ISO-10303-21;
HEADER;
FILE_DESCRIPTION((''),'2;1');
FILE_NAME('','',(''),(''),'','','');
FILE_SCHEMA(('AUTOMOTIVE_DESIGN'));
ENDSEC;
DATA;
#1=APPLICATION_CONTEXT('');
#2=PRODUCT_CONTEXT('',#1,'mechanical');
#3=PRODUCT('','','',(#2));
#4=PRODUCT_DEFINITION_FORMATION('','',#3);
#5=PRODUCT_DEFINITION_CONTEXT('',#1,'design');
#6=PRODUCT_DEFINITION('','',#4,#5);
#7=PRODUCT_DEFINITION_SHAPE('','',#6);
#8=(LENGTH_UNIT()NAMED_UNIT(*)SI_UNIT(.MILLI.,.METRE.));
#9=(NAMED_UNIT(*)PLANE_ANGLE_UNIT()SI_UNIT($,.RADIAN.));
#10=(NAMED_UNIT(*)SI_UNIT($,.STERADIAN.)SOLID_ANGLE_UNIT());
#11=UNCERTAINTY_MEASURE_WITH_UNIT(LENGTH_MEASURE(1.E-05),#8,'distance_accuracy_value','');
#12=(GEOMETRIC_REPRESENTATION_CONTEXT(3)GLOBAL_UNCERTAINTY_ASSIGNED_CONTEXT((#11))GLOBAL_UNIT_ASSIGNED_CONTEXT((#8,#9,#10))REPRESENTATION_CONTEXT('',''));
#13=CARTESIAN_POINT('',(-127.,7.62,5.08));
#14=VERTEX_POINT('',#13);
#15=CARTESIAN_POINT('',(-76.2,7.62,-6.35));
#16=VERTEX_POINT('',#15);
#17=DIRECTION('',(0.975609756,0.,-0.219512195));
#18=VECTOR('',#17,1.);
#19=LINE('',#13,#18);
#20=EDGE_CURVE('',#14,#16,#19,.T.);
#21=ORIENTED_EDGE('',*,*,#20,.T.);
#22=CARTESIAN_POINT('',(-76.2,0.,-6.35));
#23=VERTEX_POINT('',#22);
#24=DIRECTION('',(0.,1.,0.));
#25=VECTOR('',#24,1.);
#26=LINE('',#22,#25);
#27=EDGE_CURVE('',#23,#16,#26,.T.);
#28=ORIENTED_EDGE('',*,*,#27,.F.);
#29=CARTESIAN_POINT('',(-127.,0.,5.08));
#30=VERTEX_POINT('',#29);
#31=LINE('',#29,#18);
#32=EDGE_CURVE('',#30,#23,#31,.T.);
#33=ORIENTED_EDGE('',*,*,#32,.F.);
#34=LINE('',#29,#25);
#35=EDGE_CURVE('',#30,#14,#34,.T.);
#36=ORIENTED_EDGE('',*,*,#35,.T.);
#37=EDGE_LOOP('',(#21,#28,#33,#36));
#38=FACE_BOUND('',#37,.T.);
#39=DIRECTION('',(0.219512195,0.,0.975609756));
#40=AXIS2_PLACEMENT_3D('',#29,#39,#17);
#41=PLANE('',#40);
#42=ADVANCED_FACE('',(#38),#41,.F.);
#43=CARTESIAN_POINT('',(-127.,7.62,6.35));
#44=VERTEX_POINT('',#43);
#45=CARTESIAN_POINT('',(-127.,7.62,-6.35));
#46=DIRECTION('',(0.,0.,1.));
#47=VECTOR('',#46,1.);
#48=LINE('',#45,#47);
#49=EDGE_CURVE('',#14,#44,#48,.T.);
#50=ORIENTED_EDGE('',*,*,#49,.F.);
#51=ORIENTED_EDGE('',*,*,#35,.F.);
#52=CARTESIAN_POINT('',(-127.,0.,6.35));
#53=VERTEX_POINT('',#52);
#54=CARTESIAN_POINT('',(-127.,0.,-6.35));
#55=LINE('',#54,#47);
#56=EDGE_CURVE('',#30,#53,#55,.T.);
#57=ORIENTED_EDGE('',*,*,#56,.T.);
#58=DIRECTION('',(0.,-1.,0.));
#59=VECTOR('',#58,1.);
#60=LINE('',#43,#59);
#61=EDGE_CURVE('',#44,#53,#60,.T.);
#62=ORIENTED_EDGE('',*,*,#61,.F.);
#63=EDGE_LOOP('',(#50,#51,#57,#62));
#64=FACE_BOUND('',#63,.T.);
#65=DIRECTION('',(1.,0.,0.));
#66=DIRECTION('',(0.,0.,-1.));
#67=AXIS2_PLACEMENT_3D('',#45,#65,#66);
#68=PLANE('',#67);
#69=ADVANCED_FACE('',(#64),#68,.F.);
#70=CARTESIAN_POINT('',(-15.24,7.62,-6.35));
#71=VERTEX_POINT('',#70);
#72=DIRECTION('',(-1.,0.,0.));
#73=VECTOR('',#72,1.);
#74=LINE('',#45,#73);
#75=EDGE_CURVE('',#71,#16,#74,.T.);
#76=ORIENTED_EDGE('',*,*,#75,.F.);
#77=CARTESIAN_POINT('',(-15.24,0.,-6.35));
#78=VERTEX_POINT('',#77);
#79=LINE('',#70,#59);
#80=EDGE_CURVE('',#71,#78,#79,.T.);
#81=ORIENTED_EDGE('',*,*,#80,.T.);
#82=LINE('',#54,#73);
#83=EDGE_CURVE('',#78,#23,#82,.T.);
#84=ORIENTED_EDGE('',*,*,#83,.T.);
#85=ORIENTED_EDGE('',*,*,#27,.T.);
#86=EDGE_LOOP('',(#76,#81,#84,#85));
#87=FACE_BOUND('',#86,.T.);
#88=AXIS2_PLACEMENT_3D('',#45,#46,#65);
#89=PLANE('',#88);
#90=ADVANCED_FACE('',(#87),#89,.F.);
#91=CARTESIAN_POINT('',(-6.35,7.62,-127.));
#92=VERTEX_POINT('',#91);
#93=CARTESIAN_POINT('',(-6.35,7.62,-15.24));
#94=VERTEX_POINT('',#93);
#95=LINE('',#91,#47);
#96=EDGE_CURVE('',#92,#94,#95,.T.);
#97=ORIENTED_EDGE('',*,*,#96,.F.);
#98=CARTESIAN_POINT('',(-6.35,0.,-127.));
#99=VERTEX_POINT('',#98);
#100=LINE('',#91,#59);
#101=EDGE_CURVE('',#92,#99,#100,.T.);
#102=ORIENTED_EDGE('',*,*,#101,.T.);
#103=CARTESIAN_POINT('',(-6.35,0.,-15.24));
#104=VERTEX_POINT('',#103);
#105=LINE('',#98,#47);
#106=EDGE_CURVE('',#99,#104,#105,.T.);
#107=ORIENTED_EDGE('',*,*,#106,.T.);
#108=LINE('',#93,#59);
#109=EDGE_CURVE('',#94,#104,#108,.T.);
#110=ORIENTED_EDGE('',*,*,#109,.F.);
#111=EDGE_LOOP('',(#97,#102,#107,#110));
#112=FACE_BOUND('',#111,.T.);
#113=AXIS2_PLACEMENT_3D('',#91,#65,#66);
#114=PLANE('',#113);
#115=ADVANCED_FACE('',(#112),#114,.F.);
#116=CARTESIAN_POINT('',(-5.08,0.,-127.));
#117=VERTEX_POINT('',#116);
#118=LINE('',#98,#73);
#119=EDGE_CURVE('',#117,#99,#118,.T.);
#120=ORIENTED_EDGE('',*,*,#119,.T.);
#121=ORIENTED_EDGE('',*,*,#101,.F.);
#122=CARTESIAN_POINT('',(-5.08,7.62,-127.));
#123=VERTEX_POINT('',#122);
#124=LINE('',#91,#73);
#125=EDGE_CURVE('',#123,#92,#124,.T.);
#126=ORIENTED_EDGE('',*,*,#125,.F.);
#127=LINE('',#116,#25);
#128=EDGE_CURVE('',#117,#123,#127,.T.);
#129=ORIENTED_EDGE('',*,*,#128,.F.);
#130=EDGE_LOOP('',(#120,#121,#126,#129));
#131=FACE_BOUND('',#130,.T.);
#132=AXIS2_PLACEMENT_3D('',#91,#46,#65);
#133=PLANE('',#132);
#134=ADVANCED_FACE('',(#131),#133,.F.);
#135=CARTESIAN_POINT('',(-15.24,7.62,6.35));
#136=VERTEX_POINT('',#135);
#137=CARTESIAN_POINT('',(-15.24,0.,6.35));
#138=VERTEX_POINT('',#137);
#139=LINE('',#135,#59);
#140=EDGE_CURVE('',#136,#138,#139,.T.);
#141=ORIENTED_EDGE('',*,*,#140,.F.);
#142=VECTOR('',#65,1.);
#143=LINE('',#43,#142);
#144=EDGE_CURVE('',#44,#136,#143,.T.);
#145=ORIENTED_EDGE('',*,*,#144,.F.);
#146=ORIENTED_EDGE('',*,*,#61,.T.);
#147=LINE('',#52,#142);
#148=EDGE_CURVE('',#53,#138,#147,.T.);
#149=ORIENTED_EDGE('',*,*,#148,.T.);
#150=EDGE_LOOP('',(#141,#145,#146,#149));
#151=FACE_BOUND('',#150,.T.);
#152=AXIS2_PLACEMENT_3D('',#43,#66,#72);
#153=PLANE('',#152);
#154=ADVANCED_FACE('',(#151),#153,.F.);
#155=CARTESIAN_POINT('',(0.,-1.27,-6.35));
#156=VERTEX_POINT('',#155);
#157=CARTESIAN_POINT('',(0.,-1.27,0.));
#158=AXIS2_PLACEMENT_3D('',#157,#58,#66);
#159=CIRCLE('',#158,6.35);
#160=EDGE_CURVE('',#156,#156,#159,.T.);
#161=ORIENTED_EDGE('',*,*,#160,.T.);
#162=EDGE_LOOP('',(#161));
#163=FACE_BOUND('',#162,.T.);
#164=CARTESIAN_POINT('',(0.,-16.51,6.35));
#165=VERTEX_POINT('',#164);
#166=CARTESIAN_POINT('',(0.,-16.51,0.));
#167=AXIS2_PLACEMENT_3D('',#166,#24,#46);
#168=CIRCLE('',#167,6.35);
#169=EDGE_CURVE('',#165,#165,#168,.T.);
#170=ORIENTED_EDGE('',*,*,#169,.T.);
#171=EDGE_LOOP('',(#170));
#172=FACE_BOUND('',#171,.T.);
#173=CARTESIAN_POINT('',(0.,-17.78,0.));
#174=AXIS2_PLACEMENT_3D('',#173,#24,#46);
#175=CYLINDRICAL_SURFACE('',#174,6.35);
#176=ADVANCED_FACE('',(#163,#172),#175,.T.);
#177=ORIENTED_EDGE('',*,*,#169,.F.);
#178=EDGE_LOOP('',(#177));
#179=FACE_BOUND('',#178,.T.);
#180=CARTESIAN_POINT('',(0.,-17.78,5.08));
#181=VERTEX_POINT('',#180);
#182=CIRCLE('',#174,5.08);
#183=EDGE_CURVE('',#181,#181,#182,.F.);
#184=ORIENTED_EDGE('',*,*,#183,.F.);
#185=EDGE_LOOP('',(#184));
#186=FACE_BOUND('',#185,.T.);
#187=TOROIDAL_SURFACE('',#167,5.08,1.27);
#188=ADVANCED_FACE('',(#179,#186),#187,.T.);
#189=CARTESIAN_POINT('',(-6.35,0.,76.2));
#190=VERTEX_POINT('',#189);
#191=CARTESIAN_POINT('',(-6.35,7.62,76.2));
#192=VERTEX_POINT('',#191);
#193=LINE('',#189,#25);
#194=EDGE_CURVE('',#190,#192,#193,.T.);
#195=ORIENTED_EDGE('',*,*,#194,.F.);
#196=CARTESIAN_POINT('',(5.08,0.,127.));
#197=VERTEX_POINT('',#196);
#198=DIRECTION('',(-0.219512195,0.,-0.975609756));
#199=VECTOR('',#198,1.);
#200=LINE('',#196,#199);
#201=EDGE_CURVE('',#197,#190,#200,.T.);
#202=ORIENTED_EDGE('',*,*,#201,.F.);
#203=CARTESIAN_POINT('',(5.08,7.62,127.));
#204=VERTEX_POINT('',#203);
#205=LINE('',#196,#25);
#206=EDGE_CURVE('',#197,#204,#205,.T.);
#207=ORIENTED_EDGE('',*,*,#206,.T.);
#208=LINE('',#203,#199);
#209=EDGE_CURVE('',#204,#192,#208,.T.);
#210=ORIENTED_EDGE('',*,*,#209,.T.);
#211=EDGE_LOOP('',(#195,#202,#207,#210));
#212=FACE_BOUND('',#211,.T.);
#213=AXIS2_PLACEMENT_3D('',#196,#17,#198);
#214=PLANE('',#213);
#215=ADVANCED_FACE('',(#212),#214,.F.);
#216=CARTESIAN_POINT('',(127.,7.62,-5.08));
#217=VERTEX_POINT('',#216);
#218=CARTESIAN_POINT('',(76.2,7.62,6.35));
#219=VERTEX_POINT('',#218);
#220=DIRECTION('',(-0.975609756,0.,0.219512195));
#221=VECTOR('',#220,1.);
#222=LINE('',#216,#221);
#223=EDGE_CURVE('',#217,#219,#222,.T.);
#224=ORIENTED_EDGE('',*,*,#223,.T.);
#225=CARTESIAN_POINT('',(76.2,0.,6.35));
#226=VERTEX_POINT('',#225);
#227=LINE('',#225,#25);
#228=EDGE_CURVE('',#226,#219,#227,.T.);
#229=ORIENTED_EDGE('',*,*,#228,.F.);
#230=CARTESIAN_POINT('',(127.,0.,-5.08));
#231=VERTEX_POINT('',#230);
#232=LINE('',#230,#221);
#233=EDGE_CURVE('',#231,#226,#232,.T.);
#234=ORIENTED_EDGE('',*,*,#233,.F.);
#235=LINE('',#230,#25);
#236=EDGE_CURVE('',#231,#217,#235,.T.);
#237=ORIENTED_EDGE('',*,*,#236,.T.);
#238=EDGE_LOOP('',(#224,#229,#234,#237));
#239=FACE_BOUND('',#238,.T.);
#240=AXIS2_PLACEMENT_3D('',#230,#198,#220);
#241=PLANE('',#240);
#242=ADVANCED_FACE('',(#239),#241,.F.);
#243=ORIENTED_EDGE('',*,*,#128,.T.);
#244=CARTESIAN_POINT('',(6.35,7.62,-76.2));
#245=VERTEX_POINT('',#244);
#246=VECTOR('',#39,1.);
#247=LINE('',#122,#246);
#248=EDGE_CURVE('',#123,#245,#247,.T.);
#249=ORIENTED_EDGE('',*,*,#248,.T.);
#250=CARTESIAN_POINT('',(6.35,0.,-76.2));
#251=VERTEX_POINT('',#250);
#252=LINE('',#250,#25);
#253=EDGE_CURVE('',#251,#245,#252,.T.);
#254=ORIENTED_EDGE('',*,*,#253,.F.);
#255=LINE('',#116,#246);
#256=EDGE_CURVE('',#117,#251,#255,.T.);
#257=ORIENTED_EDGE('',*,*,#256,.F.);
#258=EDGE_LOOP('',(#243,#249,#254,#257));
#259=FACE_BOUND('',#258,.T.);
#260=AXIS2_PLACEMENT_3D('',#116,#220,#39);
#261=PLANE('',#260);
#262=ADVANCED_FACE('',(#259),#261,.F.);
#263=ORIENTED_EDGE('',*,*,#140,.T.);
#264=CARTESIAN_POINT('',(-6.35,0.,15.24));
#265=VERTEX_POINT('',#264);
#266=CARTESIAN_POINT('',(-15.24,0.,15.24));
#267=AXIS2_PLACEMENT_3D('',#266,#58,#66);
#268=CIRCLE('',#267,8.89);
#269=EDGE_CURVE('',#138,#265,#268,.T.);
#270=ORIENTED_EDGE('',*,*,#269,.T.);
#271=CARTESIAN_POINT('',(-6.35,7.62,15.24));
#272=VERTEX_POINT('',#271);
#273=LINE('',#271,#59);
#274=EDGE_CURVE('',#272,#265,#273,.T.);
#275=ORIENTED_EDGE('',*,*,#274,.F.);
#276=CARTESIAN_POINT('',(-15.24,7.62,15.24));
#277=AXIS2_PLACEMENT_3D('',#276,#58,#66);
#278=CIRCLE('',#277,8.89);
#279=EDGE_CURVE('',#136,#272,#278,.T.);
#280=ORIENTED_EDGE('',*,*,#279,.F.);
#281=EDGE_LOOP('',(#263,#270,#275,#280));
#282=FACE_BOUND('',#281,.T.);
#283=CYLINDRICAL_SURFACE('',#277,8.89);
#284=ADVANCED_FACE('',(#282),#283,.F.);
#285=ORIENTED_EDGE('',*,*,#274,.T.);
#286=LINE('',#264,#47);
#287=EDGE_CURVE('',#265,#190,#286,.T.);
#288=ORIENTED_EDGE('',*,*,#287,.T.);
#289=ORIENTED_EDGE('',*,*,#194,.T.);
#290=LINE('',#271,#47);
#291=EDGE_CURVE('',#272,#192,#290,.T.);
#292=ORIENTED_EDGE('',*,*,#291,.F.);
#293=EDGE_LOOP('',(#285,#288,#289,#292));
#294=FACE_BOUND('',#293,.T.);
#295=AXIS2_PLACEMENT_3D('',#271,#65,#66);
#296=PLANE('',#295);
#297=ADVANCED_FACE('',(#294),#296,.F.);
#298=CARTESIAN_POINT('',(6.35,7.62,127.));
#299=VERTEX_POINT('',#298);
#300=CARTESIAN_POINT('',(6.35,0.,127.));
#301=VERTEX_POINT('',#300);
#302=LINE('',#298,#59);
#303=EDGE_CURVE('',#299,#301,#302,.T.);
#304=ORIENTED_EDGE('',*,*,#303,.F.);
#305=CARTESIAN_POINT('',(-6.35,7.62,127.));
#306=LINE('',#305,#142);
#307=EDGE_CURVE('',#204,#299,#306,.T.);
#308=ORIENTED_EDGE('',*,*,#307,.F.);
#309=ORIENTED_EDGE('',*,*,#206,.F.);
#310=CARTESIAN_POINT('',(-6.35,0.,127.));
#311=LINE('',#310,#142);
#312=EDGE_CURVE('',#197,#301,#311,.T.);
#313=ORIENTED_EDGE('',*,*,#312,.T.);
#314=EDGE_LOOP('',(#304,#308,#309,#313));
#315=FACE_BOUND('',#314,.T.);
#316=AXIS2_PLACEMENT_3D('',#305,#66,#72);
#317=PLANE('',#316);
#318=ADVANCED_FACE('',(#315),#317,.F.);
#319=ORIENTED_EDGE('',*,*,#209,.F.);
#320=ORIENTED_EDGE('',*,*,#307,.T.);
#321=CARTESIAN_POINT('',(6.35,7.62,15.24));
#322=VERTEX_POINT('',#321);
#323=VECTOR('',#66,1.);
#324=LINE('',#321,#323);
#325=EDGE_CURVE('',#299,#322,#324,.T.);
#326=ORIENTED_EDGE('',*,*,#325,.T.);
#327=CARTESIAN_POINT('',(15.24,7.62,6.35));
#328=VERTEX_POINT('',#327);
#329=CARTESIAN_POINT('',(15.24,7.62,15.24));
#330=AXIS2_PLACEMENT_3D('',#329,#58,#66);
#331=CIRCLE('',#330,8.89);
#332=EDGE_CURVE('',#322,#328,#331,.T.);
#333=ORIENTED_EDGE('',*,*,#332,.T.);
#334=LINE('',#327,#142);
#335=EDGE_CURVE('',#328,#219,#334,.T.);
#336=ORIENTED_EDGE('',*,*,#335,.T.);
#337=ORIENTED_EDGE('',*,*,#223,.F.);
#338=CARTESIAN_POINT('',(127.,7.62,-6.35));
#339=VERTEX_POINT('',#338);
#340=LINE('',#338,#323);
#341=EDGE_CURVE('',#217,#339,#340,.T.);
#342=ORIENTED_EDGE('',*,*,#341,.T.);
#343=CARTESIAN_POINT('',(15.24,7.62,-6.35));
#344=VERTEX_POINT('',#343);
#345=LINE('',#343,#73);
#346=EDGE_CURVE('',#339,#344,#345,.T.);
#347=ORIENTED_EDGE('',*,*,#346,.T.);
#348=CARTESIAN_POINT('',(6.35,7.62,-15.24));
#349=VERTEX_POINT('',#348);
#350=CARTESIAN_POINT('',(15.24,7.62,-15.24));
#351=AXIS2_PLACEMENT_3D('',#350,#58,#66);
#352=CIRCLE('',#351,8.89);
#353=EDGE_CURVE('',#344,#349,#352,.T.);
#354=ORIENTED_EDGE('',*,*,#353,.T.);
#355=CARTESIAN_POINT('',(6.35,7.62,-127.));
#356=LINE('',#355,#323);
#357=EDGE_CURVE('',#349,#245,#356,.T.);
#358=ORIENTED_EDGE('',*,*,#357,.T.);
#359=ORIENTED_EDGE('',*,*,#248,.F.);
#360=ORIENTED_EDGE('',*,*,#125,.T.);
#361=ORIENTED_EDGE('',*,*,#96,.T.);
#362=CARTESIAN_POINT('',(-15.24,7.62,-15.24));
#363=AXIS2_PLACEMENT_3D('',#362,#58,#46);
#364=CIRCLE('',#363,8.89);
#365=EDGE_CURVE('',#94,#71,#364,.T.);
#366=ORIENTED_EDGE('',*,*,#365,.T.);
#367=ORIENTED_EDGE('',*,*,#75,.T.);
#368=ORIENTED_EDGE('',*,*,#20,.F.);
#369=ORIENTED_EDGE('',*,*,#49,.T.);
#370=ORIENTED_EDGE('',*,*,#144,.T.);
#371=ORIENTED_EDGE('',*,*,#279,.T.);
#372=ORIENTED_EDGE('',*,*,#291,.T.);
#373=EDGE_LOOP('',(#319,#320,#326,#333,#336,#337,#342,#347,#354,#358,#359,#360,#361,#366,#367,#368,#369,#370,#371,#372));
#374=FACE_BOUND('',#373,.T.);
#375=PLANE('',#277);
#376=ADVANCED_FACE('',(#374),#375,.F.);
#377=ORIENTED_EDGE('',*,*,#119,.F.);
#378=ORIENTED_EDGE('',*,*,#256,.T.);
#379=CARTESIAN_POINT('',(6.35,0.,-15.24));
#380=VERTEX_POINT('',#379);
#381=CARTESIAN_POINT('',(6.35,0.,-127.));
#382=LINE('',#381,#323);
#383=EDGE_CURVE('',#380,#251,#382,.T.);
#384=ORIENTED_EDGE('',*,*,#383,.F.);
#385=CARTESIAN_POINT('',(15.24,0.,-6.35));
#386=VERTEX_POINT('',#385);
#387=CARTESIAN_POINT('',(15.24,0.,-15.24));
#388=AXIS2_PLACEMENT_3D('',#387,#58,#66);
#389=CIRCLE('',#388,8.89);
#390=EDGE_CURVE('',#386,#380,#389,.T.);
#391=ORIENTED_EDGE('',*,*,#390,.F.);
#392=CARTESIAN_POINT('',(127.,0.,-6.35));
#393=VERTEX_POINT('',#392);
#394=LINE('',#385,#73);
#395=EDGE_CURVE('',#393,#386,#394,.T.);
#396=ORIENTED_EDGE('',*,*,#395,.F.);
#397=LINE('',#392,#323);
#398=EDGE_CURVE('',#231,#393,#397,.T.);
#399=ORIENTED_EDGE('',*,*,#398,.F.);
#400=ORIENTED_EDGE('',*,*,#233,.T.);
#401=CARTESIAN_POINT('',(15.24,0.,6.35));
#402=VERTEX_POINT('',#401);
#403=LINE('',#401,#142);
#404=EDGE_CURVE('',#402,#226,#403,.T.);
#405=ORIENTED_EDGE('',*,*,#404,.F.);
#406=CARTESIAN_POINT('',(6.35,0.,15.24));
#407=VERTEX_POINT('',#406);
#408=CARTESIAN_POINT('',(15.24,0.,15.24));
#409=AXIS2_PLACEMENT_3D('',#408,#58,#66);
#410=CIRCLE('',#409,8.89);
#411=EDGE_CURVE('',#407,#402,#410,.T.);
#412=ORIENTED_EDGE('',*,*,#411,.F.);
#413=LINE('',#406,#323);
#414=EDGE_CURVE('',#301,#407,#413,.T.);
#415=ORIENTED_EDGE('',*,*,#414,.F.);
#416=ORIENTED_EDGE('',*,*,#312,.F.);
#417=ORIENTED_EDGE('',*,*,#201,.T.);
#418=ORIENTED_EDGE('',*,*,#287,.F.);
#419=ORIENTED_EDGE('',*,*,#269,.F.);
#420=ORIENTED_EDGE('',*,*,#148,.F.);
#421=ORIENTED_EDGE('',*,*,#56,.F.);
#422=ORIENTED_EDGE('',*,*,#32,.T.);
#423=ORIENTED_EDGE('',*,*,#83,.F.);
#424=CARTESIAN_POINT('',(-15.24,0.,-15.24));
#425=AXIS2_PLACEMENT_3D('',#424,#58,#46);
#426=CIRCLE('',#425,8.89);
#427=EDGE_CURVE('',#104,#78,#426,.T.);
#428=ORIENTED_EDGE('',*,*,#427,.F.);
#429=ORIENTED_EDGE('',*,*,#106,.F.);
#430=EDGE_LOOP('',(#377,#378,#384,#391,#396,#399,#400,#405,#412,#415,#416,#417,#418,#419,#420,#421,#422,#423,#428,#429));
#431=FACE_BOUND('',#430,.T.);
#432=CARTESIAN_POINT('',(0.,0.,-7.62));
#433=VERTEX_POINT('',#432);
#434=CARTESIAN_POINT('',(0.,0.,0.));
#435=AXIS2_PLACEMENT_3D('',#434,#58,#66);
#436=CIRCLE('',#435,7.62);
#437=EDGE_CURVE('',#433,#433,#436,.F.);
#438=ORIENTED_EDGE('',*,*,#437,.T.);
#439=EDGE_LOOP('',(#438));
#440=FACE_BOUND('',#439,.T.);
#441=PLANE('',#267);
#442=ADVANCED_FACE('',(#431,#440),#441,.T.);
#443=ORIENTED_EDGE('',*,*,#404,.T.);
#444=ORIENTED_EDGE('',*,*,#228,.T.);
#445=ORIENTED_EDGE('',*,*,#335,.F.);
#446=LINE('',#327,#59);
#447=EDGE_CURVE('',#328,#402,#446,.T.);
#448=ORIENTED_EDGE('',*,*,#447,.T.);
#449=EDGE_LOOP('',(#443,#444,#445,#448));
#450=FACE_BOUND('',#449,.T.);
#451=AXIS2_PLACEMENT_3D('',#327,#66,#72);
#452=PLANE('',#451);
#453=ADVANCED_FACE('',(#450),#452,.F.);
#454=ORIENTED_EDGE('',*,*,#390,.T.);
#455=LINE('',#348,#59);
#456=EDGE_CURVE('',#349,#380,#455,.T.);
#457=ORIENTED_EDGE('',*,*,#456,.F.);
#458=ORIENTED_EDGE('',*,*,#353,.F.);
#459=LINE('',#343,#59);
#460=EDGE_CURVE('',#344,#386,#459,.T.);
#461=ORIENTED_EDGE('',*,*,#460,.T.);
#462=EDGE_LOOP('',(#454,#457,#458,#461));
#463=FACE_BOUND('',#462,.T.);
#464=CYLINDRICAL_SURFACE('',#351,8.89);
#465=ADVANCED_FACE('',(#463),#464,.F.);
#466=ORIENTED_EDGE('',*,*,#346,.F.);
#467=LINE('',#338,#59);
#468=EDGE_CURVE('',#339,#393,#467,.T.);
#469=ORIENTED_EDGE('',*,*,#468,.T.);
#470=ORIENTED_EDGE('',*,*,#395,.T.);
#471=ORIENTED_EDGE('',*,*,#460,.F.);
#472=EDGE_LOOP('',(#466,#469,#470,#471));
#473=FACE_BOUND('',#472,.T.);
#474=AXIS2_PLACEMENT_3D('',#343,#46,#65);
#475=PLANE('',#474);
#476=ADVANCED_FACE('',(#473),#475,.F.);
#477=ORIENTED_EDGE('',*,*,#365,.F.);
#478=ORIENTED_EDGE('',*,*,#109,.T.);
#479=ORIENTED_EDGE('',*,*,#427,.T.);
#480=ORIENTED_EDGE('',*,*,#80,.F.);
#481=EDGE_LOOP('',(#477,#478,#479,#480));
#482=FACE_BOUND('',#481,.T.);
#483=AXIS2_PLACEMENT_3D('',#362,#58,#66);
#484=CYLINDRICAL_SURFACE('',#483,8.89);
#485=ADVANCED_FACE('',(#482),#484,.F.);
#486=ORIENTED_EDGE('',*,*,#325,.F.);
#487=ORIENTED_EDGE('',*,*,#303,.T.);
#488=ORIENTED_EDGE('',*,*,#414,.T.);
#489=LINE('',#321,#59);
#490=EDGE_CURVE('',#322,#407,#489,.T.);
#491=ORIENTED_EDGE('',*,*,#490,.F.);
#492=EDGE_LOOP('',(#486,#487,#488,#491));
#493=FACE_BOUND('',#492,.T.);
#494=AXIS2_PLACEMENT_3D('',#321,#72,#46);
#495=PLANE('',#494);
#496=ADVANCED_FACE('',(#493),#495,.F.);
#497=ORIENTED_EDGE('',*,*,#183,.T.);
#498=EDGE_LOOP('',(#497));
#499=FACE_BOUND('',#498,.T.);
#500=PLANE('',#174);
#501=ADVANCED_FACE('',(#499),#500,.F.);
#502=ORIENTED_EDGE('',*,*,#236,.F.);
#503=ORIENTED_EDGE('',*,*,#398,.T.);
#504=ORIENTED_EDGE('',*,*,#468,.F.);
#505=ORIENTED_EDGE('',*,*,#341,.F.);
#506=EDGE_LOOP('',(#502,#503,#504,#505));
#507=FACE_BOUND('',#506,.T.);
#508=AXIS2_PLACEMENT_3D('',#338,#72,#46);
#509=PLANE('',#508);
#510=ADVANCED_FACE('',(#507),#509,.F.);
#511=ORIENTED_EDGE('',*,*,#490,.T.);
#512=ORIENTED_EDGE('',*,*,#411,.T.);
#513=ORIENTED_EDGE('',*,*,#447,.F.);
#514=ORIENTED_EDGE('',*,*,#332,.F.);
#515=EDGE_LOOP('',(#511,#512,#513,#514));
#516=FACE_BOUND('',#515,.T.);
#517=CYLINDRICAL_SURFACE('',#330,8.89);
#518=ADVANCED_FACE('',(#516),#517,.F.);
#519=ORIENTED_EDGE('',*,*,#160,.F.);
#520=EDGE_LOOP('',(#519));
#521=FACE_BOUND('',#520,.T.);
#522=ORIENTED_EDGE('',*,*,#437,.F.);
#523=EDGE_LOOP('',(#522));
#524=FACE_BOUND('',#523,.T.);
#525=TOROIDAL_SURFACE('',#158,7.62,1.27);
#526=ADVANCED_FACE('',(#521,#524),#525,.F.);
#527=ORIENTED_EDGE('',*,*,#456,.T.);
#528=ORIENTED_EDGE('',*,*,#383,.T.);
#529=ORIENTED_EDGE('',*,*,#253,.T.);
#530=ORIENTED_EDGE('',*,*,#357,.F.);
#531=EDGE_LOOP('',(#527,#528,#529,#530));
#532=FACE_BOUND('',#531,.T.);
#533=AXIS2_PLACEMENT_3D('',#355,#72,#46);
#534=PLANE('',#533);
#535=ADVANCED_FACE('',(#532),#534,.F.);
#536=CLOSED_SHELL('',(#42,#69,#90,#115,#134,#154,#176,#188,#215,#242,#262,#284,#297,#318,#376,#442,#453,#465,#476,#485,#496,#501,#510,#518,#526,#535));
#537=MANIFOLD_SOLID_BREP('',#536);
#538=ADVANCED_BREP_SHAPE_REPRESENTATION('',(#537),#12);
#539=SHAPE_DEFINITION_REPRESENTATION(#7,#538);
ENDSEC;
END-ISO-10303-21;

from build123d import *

# Parameters (mm, degrees)
BOSS_EXTRUDE1_DEPTH = 7.62
CUT_EXTRUDE1_DEPTH  = 180.766694357
SKETCH3_R           = 6.35
BOSS_EXTRUDE2_DEPTH = 25.4
FILLET1_R           = 1.27
FILLET2_R           = 1.27


with BuildPart() as part:
    # Sketch1 → Boss-Extrude1 (new body)
    with BuildSketch(Plane(origin=(0, 0, 0), x_dir=(1, 0, 0), z_dir=(0, 1, 0))):
        with BuildLine():
            Line((15.24, 6.35), (127, 6.35))
            Line((127, 6.35), (127, -6.35))
            Line((127, -6.35), (15.24, -6.35))
            ThreePointArc((15.24, -6.35), (8.953820715, -8.953820715), (6.35, -15.24))
            Line((6.35, -15.24), (6.35, -127))
            Line((6.35, -127), (-6.35, -127))
            Line((-6.35, -127), (-6.35, -15.24))
            ThreePointArc((-6.35, -15.24), (-8.953820715, -8.953820715), (-15.24, -6.35))
            Line((-15.24, -6.35), (-127, -6.35))
            Line((-127, -6.35), (-127, 6.35))
            Line((-127, 6.35), (-15.24, 6.35))
            ThreePointArc((-15.24, 6.35), (-8.953820715, 8.953820715), (-6.35, 15.24))
            Line((-6.35, 15.24), (-6.35, 127))
            Line((-6.35, 127), (6.35, 127))
            Line((6.35, 127), (6.35, 15.24))
            ThreePointArc((6.35, 15.24), (8.953820715, 8.953820715), (15.24, 6.35))
        make_face()
    extrude(amount=BOSS_EXTRUDE1_DEPTH)

    # Sketch2 → Cut-Extrude1 (cut, through all)
    with BuildSketch(Plane(origin=(0, 7.62, 0), x_dir=(1, 0, 0), z_dir=(0, 1, 0))):
        Polygon((127, 5.08), (76.2, -6.35), (127, -6.35), align=None)
        Polygon((-5.08, 127), (6.35, 76.2), (6.35, 127), align=None)
        Polygon((5.08, -127), (-6.35, -76.2), (-6.35, -127), align=None)
        Polygon((-127, -5.08), (-76.2, 6.35), (-127, 6.35), align=None)
    extrude(amount=-CUT_EXTRUDE1_DEPTH, mode=Mode.SUBTRACT)

    # Sketch3 → Boss-Extrude2 (add)
    with BuildSketch(Plane(origin=(0, 7.62, 0), x_dir=(1, 0, 0), z_dir=(0, 1, 0))):
        with Locations(Location((0, 0, 0), (0, 0, 270))):
            Circle(SKETCH3_R)
    extrude(amount=-BOSS_EXTRUDE2_DEPTH)

    # Fillet1
    fillet1_edges = [part.edges().sort_by_distance(p)[0] for p in [
        (0, 0, -6.35),
    ]]
    fillet(fillet1_edges, radius=FILLET1_R)

    # Fillet2
    fillet2_edges = [part.edges().sort_by_distance(p)[0] for p in [
        (0, -17.78, -6.35),
    ]]
    fillet(fillet2_edges, radius=FILLET2_R)


solid = part.part
